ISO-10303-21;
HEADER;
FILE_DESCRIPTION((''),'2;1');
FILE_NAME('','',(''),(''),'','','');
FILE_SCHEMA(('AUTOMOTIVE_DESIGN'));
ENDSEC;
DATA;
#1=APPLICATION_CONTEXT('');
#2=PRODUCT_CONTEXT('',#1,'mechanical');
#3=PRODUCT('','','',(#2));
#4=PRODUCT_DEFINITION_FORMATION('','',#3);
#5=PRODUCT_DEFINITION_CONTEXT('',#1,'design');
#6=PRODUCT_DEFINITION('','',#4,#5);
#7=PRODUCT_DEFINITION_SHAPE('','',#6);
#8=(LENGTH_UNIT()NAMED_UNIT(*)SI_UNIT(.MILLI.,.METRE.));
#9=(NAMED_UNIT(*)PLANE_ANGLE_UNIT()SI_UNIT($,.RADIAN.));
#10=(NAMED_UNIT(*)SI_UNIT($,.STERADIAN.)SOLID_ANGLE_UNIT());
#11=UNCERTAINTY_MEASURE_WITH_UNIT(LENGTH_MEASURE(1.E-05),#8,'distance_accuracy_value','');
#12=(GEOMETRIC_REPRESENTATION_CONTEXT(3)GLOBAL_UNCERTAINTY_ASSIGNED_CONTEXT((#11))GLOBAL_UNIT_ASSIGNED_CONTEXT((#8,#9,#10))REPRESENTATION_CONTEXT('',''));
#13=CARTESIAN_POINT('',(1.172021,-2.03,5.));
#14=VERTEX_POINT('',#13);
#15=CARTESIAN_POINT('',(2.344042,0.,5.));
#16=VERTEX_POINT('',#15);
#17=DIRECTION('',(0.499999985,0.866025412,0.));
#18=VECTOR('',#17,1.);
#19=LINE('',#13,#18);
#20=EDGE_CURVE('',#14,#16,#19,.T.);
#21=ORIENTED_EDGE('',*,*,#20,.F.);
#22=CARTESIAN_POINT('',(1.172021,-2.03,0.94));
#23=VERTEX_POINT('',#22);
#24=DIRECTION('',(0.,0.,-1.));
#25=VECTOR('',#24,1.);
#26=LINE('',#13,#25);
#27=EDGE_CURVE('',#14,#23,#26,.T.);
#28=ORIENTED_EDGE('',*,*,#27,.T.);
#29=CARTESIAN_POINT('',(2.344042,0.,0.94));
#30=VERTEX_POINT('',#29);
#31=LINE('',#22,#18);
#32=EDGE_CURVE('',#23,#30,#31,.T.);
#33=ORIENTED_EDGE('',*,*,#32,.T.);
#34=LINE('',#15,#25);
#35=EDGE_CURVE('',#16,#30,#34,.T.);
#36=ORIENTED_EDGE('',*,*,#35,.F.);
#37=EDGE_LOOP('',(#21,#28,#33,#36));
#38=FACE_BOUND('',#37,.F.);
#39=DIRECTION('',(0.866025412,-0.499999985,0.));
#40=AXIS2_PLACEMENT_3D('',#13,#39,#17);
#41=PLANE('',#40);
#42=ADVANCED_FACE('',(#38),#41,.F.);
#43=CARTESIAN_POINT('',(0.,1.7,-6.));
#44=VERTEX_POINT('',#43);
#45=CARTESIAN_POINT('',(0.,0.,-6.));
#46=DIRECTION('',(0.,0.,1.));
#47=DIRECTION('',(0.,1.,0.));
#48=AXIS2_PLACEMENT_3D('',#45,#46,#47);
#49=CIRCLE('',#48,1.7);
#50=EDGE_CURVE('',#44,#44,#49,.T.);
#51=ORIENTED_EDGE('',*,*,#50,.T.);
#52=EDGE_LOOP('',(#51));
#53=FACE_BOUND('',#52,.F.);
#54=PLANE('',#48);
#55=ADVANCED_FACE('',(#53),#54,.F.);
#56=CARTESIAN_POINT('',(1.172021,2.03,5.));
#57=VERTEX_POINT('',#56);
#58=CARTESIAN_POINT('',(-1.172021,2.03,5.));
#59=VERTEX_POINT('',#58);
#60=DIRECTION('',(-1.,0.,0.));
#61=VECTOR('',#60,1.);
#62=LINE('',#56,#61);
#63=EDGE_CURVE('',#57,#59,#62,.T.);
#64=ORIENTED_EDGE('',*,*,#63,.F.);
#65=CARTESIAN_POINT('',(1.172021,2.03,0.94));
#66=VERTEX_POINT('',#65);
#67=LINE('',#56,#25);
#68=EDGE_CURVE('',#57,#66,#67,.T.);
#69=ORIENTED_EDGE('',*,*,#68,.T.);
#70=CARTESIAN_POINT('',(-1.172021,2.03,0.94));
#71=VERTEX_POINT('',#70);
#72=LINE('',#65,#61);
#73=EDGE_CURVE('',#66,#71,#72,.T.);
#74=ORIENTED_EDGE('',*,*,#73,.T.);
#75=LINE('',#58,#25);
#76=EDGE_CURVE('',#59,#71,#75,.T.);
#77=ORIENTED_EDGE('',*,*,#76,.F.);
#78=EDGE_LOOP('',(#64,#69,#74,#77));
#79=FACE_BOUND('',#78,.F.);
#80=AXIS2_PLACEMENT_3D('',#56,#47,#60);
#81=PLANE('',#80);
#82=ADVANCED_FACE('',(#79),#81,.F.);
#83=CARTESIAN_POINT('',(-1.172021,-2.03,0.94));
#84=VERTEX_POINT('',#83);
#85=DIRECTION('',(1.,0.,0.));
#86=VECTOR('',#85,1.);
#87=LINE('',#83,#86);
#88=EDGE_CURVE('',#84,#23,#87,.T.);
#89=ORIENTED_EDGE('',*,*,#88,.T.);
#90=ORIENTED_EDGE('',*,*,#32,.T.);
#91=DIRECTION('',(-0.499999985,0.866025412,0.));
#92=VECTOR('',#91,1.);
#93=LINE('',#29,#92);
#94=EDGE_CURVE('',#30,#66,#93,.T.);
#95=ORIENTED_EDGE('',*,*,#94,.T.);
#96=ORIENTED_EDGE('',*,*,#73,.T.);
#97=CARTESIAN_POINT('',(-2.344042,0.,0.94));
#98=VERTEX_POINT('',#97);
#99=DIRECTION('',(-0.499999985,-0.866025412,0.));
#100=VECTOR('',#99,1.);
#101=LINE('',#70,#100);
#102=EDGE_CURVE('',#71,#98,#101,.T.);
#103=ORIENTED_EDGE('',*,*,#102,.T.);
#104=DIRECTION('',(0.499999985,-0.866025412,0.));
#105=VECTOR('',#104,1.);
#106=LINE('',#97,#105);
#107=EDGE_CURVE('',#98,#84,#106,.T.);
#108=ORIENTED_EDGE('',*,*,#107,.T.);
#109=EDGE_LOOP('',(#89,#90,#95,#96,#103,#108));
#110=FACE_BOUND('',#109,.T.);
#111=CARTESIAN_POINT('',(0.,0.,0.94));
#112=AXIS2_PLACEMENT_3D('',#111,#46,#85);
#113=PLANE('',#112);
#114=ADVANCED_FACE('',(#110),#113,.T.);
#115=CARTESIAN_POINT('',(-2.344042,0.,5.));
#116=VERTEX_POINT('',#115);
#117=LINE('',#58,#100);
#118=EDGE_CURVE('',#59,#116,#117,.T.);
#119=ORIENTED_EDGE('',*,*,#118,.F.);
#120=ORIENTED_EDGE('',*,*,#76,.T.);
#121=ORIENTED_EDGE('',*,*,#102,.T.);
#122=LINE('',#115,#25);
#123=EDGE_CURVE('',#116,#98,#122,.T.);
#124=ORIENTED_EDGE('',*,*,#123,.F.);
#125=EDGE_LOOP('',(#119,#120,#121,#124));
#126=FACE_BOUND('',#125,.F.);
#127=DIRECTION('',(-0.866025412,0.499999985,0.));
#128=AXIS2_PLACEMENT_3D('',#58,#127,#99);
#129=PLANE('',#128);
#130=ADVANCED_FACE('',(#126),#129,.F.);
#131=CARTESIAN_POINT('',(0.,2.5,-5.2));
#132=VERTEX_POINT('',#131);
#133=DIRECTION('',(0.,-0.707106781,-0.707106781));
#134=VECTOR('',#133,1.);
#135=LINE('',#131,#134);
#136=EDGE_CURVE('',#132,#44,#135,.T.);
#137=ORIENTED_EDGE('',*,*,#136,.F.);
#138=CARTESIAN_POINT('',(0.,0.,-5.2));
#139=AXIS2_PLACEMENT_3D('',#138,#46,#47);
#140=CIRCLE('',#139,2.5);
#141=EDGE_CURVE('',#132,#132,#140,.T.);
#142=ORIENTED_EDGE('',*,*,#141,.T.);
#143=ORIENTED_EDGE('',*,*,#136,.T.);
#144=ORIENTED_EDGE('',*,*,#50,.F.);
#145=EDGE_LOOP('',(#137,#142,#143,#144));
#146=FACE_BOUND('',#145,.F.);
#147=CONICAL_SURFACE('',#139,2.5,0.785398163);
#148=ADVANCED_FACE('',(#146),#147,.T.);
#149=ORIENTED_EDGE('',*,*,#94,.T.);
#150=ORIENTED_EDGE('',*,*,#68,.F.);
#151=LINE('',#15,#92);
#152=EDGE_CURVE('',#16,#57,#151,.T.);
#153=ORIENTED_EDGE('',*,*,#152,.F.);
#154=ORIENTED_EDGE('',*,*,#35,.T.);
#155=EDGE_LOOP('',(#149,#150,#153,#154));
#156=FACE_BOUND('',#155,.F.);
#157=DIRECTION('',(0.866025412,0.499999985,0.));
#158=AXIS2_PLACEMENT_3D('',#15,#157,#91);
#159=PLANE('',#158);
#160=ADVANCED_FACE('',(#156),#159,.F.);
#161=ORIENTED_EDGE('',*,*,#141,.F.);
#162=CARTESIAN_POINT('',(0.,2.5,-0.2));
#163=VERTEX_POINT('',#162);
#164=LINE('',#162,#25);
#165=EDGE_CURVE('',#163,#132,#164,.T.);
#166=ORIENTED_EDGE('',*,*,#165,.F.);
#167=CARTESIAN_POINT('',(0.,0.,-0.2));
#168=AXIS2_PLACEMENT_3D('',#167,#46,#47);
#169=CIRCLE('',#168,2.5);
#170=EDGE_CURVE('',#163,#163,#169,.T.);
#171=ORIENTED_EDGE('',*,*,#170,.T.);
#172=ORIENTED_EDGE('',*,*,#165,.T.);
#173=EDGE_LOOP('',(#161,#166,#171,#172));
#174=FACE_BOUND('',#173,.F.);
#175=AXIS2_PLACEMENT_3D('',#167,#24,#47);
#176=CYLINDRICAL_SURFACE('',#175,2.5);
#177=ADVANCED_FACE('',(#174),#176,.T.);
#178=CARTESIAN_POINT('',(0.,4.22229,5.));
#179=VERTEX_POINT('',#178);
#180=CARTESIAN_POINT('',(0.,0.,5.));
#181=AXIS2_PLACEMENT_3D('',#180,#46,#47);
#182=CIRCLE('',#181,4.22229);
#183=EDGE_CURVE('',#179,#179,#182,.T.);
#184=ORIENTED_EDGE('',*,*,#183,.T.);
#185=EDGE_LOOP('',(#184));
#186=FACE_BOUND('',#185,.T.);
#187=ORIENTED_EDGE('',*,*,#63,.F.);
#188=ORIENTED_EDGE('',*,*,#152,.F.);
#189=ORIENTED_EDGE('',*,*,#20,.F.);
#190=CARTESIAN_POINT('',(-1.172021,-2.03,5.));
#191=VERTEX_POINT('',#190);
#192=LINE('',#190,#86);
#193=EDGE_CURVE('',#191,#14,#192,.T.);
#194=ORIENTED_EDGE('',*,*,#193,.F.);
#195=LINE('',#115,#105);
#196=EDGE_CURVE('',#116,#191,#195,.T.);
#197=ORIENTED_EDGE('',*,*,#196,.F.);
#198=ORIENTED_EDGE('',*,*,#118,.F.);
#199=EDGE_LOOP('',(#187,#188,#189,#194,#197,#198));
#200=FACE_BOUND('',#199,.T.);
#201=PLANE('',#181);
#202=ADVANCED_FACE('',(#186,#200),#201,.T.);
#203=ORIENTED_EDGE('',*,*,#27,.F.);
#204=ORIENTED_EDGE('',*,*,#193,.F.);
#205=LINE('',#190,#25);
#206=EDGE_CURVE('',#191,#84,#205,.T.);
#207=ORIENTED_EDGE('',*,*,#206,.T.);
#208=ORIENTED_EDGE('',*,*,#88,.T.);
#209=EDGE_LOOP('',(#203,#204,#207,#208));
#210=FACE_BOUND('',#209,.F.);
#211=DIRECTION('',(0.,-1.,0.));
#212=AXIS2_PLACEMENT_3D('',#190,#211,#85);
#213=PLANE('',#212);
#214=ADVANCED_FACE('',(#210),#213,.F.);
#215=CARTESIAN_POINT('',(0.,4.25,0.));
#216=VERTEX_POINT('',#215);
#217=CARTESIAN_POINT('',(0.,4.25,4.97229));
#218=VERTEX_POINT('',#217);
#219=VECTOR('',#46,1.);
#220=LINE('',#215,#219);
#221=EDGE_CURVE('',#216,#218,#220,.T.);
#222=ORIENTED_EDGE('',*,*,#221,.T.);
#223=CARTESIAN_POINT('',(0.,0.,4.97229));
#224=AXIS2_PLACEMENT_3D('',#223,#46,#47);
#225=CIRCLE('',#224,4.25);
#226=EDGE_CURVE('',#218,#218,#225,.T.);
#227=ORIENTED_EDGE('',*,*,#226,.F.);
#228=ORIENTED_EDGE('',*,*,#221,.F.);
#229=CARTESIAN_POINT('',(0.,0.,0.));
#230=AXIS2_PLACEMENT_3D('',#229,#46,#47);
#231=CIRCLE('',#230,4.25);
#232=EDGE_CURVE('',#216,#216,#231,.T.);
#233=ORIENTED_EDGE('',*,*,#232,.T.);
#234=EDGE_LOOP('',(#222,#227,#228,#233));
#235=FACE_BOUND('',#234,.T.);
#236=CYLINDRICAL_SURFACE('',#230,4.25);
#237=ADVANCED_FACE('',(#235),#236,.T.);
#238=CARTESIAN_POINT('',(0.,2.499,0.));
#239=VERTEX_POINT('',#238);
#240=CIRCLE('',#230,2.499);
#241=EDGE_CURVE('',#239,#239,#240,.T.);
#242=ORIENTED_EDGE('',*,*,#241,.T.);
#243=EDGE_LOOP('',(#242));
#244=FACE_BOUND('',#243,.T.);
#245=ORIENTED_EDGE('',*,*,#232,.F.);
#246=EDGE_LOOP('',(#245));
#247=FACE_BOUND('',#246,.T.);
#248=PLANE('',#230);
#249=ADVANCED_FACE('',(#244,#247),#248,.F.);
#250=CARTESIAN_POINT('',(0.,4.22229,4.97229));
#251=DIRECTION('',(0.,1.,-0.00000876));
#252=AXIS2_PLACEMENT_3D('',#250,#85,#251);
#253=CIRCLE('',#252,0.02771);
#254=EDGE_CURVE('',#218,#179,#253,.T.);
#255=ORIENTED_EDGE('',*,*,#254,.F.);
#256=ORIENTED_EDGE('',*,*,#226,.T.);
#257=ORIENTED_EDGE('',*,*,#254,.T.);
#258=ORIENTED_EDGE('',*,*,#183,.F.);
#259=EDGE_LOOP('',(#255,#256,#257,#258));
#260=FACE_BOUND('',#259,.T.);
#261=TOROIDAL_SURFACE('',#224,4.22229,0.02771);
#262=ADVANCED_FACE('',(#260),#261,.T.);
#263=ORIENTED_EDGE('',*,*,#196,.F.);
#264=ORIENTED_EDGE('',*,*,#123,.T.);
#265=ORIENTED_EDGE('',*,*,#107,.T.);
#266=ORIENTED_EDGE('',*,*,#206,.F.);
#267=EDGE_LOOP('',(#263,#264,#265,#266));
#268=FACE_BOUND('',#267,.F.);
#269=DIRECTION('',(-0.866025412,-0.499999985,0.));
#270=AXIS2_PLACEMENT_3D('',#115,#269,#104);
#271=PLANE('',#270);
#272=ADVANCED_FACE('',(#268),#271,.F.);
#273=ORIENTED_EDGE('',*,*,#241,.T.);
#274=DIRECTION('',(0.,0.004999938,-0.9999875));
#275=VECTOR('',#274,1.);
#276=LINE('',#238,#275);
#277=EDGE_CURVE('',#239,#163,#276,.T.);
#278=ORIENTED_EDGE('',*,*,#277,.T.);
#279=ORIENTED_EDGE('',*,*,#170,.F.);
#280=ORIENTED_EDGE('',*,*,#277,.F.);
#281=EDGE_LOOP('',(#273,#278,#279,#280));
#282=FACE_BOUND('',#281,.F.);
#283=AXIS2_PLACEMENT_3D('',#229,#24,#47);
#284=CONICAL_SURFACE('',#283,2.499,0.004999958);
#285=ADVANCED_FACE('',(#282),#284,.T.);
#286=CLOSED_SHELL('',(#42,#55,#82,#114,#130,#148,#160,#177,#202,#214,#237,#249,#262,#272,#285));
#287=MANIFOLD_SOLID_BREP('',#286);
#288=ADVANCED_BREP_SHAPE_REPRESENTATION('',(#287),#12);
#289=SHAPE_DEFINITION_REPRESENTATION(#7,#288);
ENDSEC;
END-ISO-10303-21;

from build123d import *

# Parameters (mm, degrees)
POCKET_DEPTH = 4.06


with BuildPart() as part:
    # Sketch → Revolve (revolve)
    with BuildSketch(Plane.YZ):
        with BuildLine():
            Line((2.499, 0), (4.25, 0))
            Line((4.25, 0), (4.25, 4.97229))
            ThreePointArc((4.25, 4.97229), (4.241884, 4.991884), (4.22229, 5))
            Line((4.22229, 5), (0, 5))
            Line((0, -6), (0, 5))
            Line((1.7, -6), (0, -6))
            Line((2.5, -5.2), (1.7, -6))
            Line((2.5, -0.2), (2.5, -5.2))
            Line((2.499, 0), (2.5, -0.2))
        make_face()
    revolve(axis=Axis((0, 0, 0), (0, 0, 1)))

    # Sketch001 → Pocket (cut)
    with BuildSketch(Plane.XY.offset(5)):
        Polygon((2.344042, 0), (1.172021, 2.03), (-1.172021, 2.03), (-2.344042, 0), (-1.172021, -2.03), (1.172021, -2.03), align=None)
    extrude(amount=-POCKET_DEPTH, mode=Mode.SUBTRACT)


solid = part.part
